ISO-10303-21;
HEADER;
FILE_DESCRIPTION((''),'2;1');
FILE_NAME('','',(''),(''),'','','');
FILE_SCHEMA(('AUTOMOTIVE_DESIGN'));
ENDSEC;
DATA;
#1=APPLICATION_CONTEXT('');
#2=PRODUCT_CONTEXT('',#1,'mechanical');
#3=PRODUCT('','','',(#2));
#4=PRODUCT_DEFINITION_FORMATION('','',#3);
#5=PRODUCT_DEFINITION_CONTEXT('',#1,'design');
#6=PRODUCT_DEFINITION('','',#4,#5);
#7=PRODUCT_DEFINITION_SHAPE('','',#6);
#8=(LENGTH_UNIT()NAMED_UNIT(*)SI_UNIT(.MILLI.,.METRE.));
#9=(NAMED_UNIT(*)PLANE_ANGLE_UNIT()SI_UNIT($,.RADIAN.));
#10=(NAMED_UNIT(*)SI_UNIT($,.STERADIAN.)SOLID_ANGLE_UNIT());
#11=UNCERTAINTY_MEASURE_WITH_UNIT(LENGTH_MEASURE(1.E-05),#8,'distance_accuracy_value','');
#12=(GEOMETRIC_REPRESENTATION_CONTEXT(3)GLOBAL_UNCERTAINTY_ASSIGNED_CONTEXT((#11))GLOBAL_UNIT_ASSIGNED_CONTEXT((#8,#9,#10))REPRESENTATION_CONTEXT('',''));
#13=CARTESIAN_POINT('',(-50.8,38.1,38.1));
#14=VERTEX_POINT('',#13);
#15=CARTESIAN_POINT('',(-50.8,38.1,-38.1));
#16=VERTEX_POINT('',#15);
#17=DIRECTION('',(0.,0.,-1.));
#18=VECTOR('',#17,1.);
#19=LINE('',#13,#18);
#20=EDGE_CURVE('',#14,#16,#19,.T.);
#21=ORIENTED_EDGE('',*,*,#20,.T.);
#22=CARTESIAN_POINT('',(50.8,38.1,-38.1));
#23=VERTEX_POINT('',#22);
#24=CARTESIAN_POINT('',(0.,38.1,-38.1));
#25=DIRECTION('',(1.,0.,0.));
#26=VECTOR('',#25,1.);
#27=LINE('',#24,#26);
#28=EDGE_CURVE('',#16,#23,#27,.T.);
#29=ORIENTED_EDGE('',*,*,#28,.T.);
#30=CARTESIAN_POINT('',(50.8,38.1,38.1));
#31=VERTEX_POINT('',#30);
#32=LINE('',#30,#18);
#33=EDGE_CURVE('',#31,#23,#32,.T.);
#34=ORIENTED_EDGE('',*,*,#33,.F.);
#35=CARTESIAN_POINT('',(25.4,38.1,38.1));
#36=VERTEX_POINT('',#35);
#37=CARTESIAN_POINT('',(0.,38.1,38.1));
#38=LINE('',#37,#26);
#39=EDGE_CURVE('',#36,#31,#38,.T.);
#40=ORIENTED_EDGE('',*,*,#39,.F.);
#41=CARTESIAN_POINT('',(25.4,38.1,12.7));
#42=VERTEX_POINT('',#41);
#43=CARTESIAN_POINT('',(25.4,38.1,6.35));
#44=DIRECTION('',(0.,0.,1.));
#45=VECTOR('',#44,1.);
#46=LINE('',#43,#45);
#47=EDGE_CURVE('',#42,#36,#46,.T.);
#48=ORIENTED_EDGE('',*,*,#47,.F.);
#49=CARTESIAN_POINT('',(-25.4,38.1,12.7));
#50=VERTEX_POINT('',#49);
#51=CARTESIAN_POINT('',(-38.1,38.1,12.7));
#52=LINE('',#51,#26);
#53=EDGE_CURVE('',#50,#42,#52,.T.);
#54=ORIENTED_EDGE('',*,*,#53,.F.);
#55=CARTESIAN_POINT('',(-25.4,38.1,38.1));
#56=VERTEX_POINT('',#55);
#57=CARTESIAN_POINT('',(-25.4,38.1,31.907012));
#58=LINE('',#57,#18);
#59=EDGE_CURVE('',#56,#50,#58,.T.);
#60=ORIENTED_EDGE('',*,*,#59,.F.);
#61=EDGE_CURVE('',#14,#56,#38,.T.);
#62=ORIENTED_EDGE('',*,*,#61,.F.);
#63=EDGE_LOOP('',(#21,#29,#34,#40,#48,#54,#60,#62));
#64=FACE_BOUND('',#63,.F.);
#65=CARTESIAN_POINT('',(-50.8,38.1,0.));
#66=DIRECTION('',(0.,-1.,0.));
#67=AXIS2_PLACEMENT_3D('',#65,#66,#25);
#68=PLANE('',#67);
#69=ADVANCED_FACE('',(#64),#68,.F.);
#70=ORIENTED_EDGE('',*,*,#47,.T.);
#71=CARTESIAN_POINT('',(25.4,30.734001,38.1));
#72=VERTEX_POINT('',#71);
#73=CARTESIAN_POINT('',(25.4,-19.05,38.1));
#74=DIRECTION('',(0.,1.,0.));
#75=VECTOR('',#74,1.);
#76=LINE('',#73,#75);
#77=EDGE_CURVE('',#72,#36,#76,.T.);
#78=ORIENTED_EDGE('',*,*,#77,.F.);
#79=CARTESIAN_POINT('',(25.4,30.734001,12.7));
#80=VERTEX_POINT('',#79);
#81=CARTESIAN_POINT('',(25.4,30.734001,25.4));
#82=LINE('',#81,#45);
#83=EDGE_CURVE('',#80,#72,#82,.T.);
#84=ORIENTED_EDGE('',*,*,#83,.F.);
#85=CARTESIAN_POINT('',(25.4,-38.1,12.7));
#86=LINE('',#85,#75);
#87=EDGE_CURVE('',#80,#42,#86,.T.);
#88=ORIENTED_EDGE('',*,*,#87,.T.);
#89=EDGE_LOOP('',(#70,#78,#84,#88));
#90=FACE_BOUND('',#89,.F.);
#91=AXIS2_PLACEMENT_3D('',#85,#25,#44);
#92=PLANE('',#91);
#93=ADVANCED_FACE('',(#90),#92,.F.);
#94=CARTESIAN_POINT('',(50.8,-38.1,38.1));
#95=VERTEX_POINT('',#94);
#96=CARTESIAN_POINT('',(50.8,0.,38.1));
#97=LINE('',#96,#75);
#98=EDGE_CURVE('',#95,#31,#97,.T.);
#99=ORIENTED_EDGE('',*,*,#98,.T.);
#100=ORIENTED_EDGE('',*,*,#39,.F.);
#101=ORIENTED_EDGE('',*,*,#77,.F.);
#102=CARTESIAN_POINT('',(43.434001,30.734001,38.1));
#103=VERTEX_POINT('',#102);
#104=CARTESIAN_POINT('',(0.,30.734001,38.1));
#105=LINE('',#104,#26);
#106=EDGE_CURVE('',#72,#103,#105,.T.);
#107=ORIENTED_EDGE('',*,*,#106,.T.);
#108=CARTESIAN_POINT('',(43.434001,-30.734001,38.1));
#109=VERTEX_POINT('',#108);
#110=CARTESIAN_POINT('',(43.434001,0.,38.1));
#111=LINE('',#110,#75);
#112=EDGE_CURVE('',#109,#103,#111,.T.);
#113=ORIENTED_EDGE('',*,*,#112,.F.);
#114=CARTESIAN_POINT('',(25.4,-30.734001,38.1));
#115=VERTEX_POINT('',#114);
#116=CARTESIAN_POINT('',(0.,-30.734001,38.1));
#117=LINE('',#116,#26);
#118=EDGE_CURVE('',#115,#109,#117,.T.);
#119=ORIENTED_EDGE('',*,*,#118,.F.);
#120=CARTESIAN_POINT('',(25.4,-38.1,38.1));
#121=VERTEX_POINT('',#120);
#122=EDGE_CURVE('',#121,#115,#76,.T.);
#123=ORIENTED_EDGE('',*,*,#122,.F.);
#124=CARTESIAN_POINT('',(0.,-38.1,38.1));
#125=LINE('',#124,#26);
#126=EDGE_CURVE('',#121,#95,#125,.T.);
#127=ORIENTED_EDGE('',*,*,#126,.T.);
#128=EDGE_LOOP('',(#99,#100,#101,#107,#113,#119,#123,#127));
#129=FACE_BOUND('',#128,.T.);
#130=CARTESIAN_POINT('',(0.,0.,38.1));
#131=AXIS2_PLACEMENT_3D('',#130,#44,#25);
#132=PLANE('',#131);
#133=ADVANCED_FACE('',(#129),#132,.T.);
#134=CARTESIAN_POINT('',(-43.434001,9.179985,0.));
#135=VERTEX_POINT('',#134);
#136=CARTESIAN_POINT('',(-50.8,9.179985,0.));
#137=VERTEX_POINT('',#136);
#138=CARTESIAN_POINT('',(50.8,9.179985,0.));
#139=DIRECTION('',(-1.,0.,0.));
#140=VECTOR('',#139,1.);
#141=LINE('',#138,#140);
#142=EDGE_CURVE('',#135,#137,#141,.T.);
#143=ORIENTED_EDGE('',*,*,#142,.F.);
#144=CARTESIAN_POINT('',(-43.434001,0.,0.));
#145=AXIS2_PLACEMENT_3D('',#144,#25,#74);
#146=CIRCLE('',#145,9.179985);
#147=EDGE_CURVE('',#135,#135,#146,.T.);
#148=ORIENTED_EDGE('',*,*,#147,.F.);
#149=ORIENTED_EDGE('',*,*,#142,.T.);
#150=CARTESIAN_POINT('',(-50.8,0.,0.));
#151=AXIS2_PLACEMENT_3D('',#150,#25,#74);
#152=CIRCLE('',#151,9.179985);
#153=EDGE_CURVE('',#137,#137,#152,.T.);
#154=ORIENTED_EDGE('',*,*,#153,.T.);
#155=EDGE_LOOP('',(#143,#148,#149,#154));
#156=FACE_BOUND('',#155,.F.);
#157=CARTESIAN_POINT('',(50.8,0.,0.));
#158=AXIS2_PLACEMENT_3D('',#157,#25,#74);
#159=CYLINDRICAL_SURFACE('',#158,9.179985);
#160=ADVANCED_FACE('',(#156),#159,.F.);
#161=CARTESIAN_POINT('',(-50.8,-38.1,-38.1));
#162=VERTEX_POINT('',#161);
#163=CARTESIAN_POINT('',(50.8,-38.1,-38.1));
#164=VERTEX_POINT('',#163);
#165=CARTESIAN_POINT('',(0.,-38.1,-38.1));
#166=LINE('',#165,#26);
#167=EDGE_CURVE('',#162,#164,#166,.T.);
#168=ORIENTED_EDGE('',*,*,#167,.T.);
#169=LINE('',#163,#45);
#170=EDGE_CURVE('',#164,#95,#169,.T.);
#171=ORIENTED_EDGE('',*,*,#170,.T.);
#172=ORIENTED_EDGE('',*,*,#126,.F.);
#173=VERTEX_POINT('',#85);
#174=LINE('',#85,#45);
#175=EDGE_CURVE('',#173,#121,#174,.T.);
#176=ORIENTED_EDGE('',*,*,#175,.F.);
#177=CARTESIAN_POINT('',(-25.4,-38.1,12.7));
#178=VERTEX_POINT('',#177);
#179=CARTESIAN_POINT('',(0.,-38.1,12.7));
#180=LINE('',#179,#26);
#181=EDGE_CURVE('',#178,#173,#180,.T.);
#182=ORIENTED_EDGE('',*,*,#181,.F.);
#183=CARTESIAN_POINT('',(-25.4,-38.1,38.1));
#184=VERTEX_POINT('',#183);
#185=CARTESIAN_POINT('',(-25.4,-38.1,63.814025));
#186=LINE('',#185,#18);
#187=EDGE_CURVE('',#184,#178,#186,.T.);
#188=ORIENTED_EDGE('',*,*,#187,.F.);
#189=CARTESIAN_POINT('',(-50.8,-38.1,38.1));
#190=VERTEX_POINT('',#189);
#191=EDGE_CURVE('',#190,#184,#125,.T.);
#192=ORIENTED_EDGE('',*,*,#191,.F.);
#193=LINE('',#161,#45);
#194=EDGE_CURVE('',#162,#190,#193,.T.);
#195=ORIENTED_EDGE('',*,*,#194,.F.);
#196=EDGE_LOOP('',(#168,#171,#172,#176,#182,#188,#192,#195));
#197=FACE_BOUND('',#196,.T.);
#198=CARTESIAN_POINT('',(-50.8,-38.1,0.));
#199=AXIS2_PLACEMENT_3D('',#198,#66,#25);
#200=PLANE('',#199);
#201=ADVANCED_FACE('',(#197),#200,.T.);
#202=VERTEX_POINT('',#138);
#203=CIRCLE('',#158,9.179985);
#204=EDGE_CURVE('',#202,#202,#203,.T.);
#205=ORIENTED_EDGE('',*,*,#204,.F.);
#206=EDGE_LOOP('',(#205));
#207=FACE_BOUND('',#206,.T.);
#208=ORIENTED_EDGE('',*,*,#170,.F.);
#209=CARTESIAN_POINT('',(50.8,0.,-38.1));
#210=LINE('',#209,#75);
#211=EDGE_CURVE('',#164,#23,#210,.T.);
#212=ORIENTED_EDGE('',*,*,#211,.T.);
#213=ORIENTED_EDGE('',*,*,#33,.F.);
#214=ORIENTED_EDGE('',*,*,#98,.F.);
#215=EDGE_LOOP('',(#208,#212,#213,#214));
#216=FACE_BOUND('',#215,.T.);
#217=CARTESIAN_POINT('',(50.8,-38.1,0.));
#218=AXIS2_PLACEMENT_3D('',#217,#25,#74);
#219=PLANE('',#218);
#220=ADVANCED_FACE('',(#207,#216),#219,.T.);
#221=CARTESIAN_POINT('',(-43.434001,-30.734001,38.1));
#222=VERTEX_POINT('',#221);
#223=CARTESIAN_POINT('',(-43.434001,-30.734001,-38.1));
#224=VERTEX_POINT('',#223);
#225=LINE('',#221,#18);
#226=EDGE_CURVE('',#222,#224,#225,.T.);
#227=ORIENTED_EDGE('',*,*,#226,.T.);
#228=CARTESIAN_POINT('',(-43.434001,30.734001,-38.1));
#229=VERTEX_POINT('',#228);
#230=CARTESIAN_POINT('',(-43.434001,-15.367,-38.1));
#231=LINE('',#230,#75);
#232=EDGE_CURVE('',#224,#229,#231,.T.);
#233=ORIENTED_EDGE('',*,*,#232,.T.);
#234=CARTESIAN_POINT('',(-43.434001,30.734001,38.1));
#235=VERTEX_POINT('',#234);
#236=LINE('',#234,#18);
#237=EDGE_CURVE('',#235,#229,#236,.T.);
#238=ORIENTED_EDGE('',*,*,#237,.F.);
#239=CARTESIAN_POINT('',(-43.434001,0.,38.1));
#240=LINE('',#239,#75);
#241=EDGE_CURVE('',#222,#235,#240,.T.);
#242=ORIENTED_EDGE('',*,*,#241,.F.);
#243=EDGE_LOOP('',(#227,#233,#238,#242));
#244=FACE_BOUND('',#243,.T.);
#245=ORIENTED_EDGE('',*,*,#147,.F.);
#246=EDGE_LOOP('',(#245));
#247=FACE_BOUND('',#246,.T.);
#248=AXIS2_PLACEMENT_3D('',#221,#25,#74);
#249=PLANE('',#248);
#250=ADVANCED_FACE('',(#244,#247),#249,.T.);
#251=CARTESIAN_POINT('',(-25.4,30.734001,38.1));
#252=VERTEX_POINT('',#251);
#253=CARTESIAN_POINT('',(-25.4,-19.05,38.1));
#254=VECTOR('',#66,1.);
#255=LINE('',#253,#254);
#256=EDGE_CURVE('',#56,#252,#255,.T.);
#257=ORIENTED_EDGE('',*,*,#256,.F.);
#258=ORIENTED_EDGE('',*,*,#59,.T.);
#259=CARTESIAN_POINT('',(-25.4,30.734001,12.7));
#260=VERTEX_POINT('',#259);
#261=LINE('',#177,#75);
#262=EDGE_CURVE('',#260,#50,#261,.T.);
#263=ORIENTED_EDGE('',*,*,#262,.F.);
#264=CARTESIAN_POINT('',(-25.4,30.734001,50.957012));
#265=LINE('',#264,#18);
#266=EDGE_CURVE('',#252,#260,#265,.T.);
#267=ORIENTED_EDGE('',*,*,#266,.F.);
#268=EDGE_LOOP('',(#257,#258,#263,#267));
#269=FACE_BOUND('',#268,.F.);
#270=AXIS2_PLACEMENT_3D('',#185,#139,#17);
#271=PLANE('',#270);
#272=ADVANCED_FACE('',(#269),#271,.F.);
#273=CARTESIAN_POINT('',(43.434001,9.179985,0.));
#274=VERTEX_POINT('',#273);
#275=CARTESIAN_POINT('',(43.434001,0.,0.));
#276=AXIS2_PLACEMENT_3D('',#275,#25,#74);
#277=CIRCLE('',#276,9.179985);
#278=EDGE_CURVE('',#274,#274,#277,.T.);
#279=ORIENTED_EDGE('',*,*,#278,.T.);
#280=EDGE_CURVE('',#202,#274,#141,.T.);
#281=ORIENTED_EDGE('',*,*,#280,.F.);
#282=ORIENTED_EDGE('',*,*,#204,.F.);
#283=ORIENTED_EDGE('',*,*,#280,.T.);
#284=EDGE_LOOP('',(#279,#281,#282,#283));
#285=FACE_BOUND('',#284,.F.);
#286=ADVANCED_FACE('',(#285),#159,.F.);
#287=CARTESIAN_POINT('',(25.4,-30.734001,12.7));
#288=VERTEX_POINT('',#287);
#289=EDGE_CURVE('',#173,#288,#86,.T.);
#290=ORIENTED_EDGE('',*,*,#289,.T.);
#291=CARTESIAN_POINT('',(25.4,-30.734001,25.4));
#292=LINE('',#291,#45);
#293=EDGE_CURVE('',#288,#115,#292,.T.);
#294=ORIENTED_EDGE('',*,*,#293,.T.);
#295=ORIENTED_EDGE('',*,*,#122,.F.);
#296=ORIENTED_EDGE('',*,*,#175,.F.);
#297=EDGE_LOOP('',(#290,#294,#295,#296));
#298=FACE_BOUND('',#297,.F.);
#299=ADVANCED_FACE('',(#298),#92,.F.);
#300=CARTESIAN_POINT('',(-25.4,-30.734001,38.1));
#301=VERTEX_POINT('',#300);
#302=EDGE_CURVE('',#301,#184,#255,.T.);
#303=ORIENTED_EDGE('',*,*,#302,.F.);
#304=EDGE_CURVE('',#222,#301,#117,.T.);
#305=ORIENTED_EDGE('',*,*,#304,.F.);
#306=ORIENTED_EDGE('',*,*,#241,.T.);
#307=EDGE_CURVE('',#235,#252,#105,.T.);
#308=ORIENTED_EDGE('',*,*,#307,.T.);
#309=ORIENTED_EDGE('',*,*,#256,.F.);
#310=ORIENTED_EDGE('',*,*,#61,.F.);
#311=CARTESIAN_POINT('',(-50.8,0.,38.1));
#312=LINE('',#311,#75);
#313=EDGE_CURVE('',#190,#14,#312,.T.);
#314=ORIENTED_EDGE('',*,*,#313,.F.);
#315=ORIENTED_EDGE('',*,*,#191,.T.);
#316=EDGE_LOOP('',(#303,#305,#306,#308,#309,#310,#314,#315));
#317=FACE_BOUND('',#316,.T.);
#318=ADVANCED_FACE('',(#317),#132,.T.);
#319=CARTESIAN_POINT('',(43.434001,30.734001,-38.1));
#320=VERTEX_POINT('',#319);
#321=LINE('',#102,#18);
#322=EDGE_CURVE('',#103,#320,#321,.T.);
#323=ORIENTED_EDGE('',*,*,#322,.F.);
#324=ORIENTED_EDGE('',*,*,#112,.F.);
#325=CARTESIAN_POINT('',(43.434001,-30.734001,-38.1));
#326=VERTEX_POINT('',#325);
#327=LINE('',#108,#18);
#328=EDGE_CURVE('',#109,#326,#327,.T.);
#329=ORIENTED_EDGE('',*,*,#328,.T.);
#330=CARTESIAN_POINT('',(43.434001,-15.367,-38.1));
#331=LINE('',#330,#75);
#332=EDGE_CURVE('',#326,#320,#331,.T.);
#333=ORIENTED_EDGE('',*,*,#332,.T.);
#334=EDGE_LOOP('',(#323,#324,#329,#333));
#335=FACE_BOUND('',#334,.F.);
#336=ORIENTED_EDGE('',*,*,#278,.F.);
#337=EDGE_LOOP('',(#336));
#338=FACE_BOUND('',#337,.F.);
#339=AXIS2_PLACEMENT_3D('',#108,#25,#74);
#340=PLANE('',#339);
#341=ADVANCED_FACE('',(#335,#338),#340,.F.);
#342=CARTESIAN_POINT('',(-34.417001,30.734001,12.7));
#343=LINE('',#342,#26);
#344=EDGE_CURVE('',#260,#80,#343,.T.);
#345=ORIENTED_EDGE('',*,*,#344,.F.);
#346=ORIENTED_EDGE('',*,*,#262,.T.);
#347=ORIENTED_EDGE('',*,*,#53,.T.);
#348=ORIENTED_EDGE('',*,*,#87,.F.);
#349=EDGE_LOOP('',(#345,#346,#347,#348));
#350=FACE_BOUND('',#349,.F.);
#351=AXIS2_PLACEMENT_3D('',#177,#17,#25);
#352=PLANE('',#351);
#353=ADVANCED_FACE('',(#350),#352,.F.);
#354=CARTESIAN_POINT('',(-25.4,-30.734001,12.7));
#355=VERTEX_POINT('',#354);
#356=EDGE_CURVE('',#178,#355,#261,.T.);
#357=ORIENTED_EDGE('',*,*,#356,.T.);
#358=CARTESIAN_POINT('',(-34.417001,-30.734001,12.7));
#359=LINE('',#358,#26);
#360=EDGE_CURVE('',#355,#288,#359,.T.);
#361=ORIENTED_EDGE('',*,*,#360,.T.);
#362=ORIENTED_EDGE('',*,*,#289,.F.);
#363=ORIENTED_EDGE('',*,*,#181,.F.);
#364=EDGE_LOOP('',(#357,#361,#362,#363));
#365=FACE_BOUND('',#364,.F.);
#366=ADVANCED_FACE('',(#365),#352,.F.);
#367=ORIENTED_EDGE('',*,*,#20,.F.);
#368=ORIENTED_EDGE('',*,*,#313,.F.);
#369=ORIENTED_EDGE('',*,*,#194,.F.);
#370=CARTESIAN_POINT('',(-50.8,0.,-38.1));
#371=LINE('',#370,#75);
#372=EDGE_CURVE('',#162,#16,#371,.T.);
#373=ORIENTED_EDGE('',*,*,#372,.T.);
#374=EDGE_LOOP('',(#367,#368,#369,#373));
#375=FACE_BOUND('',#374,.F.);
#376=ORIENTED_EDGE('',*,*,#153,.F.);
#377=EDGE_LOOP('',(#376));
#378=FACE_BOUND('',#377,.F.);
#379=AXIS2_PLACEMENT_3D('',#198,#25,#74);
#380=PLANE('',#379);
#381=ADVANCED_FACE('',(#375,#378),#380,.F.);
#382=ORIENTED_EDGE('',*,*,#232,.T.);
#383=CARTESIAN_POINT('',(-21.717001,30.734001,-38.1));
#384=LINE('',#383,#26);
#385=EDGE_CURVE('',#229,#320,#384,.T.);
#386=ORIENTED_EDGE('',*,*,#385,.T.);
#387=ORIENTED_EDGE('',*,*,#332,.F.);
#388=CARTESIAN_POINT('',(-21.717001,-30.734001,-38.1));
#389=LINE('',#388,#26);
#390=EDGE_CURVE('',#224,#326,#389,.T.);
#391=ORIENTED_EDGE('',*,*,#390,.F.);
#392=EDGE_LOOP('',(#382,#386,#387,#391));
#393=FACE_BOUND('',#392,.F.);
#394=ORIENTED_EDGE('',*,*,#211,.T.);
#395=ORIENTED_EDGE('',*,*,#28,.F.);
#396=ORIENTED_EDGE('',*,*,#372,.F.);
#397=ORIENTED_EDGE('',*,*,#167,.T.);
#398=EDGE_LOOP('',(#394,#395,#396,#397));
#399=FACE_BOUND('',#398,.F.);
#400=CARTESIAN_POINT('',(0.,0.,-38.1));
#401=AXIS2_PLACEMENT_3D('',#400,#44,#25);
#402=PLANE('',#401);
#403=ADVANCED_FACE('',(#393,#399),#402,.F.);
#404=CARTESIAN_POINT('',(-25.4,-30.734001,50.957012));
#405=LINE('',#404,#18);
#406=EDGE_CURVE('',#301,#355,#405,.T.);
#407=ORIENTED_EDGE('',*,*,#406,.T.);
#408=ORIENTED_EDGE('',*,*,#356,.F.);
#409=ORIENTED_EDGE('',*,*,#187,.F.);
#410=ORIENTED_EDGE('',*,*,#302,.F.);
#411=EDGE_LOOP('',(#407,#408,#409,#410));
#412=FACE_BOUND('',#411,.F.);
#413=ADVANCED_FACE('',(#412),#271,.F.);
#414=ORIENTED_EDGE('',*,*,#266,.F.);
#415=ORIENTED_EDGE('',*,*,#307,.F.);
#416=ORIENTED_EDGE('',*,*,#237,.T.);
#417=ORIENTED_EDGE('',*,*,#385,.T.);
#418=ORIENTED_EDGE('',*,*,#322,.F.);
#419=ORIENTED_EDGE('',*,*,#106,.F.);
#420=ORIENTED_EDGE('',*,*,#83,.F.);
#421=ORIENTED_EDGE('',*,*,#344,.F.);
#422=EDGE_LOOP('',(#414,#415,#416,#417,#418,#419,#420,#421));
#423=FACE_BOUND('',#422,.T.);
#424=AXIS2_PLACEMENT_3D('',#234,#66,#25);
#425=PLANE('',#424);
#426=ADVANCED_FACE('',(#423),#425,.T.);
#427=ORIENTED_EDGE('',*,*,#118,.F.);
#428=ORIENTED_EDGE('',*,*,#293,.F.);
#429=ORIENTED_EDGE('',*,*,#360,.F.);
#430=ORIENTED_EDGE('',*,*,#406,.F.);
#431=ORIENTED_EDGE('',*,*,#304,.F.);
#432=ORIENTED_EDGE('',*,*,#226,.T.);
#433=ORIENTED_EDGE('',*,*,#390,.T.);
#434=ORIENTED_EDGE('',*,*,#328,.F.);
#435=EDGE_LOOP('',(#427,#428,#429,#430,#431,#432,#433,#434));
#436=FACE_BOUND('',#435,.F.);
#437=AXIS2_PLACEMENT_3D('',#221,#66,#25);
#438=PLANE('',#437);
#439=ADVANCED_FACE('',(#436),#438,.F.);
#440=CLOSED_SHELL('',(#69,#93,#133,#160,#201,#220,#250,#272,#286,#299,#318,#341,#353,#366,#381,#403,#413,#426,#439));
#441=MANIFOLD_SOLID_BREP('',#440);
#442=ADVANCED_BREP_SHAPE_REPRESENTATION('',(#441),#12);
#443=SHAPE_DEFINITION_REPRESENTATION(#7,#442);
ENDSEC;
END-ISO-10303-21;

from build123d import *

# Parameters (mm, degrees)
F0_W     = 101.6
F0_H     = 76.2
F1_DEPTH = 38.1
F2_W     = 86.868002
F2_H     = 61.468002
F3_DEPTH = 76.201
F4_W     = 50.8
F4_H     = 25.4
F4_H_2   = 25.714025
F5_DEPTH = 76.201
F6_R     = 9.179985
F7_DEPTH = 101.601


with BuildPart() as f1:
    # F0 (on Top) → F1 (new body, symmetric)
    with BuildSketch(Plane.XY):
        Rectangle(F0_W, F0_H)
    extrude(amount=F1_DEPTH, both=True)

    # F2 (on face) → F3 (cut, through all)
    with BuildSketch(Plane.XY.offset(38.1)):
        Rectangle(F2_W, F2_H)
    extrude(amount=-F3_DEPTH, mode=Mode.SUBTRACT)

    # F4 (on face) → F5 (cut, through all)
    with BuildSketch(Plane.XZ.offset(38.1)):
        with Locations((0, 25.4)):
            Rectangle(F4_W, F4_H)
        with Locations((0, 50.957012)):
            Rectangle(F4_W, F4_H_2)
    extrude(amount=-F5_DEPTH, mode=Mode.SUBTRACT)

    # F6 (on face) → F7 (cut, through all)
    with BuildSketch(Plane.YZ.offset(50.8)):
        Circle(F6_R)
    extrude(amount=-F7_DEPTH, mode=Mode.SUBTRACT)


solid = f1.part
